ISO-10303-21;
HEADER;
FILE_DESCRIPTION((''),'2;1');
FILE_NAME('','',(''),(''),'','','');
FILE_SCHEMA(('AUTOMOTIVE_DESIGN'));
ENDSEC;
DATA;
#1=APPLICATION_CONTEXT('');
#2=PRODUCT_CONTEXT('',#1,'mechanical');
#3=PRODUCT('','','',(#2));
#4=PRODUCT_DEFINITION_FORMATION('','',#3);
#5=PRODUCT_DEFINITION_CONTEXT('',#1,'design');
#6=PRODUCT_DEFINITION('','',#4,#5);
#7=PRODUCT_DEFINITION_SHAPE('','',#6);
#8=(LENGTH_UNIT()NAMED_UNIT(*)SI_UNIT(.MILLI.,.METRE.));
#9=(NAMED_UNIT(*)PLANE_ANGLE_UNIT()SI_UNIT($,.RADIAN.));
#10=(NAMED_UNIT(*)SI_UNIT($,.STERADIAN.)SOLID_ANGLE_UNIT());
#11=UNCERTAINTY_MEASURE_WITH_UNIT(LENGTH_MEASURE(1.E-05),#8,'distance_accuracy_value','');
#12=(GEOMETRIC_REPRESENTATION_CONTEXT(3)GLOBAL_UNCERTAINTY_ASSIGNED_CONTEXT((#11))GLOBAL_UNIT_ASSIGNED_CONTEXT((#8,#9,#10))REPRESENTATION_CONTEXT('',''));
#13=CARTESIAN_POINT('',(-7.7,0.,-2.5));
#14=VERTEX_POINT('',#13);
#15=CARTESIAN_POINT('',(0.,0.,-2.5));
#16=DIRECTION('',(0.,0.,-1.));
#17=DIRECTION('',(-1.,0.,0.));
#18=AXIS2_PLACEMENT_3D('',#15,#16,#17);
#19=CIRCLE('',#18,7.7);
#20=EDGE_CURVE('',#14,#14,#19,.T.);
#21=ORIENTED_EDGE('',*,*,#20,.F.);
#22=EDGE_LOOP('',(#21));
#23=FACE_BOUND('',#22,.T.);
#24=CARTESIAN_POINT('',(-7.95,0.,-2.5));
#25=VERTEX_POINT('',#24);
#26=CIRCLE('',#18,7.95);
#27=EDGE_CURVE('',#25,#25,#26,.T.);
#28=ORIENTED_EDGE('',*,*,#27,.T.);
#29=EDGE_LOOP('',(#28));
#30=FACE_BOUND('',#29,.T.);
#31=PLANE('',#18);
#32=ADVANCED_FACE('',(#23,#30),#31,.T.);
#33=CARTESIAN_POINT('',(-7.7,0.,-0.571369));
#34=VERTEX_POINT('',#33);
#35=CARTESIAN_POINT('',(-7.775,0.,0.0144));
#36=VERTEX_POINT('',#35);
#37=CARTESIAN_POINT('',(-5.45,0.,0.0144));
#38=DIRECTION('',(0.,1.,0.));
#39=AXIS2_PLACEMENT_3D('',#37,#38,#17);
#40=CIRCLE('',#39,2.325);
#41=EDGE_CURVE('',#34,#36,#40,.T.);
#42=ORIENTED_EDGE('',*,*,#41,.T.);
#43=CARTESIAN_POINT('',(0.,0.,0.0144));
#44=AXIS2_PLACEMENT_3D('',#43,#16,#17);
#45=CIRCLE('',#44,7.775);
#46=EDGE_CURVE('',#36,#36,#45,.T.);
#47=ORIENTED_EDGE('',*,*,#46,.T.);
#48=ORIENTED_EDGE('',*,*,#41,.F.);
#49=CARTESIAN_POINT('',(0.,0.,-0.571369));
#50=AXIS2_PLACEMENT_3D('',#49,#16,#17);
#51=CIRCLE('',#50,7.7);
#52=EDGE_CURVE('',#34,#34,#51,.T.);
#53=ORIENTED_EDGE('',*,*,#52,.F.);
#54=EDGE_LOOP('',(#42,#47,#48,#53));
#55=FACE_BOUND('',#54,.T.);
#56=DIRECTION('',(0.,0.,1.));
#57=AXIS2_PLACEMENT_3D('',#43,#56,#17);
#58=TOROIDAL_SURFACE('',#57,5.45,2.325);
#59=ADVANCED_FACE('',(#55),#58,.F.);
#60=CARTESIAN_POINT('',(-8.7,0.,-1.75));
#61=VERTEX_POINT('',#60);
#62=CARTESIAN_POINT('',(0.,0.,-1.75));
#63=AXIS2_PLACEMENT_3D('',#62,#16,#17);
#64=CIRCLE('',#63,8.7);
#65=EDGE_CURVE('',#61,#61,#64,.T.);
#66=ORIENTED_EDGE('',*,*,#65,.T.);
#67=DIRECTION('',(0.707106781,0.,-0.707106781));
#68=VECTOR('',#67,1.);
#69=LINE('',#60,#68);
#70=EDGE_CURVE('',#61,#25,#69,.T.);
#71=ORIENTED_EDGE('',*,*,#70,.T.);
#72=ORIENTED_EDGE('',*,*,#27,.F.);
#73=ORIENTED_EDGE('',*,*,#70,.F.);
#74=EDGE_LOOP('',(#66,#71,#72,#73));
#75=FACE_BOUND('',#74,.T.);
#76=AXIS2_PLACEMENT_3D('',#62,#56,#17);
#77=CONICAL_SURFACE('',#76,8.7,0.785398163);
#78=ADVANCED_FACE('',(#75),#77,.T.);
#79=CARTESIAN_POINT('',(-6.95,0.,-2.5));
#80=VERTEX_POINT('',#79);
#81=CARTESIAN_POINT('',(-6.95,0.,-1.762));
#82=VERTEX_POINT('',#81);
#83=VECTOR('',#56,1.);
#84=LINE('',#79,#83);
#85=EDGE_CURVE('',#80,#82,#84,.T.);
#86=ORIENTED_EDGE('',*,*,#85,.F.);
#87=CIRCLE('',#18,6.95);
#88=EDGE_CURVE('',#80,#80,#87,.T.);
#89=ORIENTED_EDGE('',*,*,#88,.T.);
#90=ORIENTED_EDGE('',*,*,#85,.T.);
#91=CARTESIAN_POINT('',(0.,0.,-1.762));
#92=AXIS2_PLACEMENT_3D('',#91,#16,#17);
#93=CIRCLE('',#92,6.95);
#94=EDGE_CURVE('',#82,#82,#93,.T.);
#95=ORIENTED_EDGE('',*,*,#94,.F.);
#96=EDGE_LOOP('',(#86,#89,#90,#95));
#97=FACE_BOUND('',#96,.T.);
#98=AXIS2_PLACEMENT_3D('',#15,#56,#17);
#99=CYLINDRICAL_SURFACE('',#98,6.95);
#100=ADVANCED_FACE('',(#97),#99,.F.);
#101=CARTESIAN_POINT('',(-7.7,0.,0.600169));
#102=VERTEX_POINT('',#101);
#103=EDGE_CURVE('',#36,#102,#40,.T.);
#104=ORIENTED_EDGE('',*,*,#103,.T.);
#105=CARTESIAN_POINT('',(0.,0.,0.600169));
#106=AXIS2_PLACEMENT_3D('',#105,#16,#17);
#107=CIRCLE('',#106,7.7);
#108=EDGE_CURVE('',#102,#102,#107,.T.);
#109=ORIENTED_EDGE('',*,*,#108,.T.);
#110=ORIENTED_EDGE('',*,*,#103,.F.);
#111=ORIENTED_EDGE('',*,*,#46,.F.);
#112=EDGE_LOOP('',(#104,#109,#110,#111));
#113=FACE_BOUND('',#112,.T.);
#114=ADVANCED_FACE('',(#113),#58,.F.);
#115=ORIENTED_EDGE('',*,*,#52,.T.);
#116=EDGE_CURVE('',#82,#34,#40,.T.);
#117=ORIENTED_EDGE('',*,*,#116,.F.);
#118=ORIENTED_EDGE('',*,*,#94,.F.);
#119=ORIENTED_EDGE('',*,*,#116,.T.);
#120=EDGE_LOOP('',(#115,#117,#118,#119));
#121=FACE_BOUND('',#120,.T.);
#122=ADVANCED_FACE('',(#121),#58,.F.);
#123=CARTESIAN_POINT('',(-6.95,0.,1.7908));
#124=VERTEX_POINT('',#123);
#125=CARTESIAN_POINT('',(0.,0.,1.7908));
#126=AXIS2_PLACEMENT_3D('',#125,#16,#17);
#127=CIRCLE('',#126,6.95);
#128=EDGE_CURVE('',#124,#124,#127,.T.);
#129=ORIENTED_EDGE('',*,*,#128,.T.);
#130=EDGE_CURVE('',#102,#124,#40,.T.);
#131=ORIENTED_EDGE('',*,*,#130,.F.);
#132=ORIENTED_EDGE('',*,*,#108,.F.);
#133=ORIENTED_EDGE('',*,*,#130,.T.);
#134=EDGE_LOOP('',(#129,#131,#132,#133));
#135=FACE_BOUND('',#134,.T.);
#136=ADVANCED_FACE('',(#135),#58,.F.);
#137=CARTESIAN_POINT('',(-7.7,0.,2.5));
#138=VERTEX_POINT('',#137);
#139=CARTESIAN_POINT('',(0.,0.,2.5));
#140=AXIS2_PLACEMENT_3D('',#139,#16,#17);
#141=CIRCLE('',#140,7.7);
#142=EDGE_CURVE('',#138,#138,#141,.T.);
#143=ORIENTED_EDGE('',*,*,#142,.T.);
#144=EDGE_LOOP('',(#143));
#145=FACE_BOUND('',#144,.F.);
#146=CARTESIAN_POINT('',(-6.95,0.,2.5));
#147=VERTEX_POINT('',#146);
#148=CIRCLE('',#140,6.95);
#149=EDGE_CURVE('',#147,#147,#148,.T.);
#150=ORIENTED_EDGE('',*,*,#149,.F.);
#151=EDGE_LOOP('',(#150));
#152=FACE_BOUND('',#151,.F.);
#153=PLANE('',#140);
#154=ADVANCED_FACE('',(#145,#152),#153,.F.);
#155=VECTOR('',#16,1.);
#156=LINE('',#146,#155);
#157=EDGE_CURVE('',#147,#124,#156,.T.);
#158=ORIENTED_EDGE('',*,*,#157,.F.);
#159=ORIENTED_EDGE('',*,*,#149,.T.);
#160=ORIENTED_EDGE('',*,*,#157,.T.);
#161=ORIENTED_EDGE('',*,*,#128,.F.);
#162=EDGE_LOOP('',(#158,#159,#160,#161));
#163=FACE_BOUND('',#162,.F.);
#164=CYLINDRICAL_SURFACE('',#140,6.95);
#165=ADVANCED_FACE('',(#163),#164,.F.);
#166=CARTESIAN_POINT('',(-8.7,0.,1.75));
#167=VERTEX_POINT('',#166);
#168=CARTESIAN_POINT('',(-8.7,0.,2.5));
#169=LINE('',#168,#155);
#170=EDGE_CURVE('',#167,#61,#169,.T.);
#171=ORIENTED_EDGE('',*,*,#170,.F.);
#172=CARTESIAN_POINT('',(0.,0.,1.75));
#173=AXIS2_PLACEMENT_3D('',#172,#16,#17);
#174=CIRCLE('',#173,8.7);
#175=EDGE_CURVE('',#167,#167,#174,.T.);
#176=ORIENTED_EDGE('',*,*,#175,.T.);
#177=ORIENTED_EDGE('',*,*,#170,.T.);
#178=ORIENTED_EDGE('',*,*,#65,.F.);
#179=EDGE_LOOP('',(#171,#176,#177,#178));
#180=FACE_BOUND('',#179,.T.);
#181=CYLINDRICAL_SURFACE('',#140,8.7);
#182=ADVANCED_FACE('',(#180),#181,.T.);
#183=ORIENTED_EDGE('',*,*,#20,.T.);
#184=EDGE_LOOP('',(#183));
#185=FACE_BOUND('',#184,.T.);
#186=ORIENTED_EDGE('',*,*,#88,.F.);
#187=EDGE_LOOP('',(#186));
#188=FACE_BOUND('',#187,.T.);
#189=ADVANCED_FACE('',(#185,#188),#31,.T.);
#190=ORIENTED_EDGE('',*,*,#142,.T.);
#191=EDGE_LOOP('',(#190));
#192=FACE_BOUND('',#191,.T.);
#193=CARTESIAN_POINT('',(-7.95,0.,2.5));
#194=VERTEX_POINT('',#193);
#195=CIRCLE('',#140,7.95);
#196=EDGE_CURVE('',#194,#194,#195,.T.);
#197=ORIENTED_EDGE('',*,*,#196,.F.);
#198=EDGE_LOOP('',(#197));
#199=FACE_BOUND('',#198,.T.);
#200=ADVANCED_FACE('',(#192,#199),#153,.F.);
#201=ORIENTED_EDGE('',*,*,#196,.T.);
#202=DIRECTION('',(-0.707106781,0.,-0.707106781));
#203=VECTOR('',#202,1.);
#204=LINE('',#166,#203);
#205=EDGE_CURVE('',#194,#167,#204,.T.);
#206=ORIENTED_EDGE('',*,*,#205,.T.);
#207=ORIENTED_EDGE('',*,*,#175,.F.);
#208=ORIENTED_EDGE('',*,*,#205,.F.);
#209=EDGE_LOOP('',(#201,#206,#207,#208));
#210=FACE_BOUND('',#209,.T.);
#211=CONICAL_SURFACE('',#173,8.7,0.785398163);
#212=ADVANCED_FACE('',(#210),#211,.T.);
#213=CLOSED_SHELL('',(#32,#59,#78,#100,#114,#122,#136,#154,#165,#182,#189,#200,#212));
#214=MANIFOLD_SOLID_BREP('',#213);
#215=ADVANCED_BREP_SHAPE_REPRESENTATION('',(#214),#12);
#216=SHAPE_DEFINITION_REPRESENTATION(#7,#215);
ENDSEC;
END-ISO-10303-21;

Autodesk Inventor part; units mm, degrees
ref_plane "YZ Plane" through (0, 0, 0) normal (1, 0, 0) x (0, 1, 0)
ref_plane "XZ Plane" through (0, 0, 0) normal (0, 1, 0) x (-1, 0, 0)
ref_plane "XY Plane" through (0, 0, 0) normal (0, 0, 1) x (1, 0, 0)
sketch "Sketch1" plane through (0, 0, 0) normal (0, 1, 0) x (-1, 0, 0)
  line L0 (-3.2, 2.5) -> (3.2, 2.5)
  line L1 (3.2, -2.5) -> (-3.2, -2.5)
  line L2 (-3.2, -2.5) -> (-3.2, 2.5)
  line L3 (-3.2, 2.5) -> (3.2, -2.5) construction
  line L4 (3.2, 2.5) -> (-3.2, -2.5) construction
  circle A0 centre (5.45, 0.0144) radius 2.325
  line L5 (7.7, 2.5) -> (7.7, -2.5)
  line L6 (7.7, -2.5) -> (6.95, -2.5)
  line L7 (6.95, -2.5) -> (6.95, -1.762)
  line L8 (7.7, 2.5) -> (6.95, 2.5)
  line L9 (6.95, 2.5) -> (6.95, 1.7908)
  line L10 (7.7, 2.5) -> (8.7, 2.5)
  line L11 (8.7, 2.5) -> (8.7, -2.5)
  line L12 (8.7, -2.5) -> (7.7, -2.5)
  line L13 (7.7, -2.5) -> (7.7, 2.5)
  line L14 (0, 2.5) -> (0, -2.5)
  line L15 (3.2, -2.5) -> (3.2, 2.5)
  point P0 (0, 0)
  dimension "d1" = 6.4
  dimension "d2" = 5
  dimension "d3" = 4.65
  dimension "d4" = 2.25
  dimension "d5" = 0.75
  dimension "d6" = 1
  dimension "d11" = 2.25
revolve "Revolution1" add sketch "Sketch1" angle 360 about axis through (0, 0, 2.5) along (0, 0, -1) contours L9 L8 L5 A0 | L5 L10 L11 L12 A0 | A0 L5 L6 L7
chamfer "Chamfer1" distance 0.75 angle 45 2 edges at (8.7, 0, -2.5) (8.7, 0, 2.5)
properties part number "5mm Bearing Outside_3DPrint"
